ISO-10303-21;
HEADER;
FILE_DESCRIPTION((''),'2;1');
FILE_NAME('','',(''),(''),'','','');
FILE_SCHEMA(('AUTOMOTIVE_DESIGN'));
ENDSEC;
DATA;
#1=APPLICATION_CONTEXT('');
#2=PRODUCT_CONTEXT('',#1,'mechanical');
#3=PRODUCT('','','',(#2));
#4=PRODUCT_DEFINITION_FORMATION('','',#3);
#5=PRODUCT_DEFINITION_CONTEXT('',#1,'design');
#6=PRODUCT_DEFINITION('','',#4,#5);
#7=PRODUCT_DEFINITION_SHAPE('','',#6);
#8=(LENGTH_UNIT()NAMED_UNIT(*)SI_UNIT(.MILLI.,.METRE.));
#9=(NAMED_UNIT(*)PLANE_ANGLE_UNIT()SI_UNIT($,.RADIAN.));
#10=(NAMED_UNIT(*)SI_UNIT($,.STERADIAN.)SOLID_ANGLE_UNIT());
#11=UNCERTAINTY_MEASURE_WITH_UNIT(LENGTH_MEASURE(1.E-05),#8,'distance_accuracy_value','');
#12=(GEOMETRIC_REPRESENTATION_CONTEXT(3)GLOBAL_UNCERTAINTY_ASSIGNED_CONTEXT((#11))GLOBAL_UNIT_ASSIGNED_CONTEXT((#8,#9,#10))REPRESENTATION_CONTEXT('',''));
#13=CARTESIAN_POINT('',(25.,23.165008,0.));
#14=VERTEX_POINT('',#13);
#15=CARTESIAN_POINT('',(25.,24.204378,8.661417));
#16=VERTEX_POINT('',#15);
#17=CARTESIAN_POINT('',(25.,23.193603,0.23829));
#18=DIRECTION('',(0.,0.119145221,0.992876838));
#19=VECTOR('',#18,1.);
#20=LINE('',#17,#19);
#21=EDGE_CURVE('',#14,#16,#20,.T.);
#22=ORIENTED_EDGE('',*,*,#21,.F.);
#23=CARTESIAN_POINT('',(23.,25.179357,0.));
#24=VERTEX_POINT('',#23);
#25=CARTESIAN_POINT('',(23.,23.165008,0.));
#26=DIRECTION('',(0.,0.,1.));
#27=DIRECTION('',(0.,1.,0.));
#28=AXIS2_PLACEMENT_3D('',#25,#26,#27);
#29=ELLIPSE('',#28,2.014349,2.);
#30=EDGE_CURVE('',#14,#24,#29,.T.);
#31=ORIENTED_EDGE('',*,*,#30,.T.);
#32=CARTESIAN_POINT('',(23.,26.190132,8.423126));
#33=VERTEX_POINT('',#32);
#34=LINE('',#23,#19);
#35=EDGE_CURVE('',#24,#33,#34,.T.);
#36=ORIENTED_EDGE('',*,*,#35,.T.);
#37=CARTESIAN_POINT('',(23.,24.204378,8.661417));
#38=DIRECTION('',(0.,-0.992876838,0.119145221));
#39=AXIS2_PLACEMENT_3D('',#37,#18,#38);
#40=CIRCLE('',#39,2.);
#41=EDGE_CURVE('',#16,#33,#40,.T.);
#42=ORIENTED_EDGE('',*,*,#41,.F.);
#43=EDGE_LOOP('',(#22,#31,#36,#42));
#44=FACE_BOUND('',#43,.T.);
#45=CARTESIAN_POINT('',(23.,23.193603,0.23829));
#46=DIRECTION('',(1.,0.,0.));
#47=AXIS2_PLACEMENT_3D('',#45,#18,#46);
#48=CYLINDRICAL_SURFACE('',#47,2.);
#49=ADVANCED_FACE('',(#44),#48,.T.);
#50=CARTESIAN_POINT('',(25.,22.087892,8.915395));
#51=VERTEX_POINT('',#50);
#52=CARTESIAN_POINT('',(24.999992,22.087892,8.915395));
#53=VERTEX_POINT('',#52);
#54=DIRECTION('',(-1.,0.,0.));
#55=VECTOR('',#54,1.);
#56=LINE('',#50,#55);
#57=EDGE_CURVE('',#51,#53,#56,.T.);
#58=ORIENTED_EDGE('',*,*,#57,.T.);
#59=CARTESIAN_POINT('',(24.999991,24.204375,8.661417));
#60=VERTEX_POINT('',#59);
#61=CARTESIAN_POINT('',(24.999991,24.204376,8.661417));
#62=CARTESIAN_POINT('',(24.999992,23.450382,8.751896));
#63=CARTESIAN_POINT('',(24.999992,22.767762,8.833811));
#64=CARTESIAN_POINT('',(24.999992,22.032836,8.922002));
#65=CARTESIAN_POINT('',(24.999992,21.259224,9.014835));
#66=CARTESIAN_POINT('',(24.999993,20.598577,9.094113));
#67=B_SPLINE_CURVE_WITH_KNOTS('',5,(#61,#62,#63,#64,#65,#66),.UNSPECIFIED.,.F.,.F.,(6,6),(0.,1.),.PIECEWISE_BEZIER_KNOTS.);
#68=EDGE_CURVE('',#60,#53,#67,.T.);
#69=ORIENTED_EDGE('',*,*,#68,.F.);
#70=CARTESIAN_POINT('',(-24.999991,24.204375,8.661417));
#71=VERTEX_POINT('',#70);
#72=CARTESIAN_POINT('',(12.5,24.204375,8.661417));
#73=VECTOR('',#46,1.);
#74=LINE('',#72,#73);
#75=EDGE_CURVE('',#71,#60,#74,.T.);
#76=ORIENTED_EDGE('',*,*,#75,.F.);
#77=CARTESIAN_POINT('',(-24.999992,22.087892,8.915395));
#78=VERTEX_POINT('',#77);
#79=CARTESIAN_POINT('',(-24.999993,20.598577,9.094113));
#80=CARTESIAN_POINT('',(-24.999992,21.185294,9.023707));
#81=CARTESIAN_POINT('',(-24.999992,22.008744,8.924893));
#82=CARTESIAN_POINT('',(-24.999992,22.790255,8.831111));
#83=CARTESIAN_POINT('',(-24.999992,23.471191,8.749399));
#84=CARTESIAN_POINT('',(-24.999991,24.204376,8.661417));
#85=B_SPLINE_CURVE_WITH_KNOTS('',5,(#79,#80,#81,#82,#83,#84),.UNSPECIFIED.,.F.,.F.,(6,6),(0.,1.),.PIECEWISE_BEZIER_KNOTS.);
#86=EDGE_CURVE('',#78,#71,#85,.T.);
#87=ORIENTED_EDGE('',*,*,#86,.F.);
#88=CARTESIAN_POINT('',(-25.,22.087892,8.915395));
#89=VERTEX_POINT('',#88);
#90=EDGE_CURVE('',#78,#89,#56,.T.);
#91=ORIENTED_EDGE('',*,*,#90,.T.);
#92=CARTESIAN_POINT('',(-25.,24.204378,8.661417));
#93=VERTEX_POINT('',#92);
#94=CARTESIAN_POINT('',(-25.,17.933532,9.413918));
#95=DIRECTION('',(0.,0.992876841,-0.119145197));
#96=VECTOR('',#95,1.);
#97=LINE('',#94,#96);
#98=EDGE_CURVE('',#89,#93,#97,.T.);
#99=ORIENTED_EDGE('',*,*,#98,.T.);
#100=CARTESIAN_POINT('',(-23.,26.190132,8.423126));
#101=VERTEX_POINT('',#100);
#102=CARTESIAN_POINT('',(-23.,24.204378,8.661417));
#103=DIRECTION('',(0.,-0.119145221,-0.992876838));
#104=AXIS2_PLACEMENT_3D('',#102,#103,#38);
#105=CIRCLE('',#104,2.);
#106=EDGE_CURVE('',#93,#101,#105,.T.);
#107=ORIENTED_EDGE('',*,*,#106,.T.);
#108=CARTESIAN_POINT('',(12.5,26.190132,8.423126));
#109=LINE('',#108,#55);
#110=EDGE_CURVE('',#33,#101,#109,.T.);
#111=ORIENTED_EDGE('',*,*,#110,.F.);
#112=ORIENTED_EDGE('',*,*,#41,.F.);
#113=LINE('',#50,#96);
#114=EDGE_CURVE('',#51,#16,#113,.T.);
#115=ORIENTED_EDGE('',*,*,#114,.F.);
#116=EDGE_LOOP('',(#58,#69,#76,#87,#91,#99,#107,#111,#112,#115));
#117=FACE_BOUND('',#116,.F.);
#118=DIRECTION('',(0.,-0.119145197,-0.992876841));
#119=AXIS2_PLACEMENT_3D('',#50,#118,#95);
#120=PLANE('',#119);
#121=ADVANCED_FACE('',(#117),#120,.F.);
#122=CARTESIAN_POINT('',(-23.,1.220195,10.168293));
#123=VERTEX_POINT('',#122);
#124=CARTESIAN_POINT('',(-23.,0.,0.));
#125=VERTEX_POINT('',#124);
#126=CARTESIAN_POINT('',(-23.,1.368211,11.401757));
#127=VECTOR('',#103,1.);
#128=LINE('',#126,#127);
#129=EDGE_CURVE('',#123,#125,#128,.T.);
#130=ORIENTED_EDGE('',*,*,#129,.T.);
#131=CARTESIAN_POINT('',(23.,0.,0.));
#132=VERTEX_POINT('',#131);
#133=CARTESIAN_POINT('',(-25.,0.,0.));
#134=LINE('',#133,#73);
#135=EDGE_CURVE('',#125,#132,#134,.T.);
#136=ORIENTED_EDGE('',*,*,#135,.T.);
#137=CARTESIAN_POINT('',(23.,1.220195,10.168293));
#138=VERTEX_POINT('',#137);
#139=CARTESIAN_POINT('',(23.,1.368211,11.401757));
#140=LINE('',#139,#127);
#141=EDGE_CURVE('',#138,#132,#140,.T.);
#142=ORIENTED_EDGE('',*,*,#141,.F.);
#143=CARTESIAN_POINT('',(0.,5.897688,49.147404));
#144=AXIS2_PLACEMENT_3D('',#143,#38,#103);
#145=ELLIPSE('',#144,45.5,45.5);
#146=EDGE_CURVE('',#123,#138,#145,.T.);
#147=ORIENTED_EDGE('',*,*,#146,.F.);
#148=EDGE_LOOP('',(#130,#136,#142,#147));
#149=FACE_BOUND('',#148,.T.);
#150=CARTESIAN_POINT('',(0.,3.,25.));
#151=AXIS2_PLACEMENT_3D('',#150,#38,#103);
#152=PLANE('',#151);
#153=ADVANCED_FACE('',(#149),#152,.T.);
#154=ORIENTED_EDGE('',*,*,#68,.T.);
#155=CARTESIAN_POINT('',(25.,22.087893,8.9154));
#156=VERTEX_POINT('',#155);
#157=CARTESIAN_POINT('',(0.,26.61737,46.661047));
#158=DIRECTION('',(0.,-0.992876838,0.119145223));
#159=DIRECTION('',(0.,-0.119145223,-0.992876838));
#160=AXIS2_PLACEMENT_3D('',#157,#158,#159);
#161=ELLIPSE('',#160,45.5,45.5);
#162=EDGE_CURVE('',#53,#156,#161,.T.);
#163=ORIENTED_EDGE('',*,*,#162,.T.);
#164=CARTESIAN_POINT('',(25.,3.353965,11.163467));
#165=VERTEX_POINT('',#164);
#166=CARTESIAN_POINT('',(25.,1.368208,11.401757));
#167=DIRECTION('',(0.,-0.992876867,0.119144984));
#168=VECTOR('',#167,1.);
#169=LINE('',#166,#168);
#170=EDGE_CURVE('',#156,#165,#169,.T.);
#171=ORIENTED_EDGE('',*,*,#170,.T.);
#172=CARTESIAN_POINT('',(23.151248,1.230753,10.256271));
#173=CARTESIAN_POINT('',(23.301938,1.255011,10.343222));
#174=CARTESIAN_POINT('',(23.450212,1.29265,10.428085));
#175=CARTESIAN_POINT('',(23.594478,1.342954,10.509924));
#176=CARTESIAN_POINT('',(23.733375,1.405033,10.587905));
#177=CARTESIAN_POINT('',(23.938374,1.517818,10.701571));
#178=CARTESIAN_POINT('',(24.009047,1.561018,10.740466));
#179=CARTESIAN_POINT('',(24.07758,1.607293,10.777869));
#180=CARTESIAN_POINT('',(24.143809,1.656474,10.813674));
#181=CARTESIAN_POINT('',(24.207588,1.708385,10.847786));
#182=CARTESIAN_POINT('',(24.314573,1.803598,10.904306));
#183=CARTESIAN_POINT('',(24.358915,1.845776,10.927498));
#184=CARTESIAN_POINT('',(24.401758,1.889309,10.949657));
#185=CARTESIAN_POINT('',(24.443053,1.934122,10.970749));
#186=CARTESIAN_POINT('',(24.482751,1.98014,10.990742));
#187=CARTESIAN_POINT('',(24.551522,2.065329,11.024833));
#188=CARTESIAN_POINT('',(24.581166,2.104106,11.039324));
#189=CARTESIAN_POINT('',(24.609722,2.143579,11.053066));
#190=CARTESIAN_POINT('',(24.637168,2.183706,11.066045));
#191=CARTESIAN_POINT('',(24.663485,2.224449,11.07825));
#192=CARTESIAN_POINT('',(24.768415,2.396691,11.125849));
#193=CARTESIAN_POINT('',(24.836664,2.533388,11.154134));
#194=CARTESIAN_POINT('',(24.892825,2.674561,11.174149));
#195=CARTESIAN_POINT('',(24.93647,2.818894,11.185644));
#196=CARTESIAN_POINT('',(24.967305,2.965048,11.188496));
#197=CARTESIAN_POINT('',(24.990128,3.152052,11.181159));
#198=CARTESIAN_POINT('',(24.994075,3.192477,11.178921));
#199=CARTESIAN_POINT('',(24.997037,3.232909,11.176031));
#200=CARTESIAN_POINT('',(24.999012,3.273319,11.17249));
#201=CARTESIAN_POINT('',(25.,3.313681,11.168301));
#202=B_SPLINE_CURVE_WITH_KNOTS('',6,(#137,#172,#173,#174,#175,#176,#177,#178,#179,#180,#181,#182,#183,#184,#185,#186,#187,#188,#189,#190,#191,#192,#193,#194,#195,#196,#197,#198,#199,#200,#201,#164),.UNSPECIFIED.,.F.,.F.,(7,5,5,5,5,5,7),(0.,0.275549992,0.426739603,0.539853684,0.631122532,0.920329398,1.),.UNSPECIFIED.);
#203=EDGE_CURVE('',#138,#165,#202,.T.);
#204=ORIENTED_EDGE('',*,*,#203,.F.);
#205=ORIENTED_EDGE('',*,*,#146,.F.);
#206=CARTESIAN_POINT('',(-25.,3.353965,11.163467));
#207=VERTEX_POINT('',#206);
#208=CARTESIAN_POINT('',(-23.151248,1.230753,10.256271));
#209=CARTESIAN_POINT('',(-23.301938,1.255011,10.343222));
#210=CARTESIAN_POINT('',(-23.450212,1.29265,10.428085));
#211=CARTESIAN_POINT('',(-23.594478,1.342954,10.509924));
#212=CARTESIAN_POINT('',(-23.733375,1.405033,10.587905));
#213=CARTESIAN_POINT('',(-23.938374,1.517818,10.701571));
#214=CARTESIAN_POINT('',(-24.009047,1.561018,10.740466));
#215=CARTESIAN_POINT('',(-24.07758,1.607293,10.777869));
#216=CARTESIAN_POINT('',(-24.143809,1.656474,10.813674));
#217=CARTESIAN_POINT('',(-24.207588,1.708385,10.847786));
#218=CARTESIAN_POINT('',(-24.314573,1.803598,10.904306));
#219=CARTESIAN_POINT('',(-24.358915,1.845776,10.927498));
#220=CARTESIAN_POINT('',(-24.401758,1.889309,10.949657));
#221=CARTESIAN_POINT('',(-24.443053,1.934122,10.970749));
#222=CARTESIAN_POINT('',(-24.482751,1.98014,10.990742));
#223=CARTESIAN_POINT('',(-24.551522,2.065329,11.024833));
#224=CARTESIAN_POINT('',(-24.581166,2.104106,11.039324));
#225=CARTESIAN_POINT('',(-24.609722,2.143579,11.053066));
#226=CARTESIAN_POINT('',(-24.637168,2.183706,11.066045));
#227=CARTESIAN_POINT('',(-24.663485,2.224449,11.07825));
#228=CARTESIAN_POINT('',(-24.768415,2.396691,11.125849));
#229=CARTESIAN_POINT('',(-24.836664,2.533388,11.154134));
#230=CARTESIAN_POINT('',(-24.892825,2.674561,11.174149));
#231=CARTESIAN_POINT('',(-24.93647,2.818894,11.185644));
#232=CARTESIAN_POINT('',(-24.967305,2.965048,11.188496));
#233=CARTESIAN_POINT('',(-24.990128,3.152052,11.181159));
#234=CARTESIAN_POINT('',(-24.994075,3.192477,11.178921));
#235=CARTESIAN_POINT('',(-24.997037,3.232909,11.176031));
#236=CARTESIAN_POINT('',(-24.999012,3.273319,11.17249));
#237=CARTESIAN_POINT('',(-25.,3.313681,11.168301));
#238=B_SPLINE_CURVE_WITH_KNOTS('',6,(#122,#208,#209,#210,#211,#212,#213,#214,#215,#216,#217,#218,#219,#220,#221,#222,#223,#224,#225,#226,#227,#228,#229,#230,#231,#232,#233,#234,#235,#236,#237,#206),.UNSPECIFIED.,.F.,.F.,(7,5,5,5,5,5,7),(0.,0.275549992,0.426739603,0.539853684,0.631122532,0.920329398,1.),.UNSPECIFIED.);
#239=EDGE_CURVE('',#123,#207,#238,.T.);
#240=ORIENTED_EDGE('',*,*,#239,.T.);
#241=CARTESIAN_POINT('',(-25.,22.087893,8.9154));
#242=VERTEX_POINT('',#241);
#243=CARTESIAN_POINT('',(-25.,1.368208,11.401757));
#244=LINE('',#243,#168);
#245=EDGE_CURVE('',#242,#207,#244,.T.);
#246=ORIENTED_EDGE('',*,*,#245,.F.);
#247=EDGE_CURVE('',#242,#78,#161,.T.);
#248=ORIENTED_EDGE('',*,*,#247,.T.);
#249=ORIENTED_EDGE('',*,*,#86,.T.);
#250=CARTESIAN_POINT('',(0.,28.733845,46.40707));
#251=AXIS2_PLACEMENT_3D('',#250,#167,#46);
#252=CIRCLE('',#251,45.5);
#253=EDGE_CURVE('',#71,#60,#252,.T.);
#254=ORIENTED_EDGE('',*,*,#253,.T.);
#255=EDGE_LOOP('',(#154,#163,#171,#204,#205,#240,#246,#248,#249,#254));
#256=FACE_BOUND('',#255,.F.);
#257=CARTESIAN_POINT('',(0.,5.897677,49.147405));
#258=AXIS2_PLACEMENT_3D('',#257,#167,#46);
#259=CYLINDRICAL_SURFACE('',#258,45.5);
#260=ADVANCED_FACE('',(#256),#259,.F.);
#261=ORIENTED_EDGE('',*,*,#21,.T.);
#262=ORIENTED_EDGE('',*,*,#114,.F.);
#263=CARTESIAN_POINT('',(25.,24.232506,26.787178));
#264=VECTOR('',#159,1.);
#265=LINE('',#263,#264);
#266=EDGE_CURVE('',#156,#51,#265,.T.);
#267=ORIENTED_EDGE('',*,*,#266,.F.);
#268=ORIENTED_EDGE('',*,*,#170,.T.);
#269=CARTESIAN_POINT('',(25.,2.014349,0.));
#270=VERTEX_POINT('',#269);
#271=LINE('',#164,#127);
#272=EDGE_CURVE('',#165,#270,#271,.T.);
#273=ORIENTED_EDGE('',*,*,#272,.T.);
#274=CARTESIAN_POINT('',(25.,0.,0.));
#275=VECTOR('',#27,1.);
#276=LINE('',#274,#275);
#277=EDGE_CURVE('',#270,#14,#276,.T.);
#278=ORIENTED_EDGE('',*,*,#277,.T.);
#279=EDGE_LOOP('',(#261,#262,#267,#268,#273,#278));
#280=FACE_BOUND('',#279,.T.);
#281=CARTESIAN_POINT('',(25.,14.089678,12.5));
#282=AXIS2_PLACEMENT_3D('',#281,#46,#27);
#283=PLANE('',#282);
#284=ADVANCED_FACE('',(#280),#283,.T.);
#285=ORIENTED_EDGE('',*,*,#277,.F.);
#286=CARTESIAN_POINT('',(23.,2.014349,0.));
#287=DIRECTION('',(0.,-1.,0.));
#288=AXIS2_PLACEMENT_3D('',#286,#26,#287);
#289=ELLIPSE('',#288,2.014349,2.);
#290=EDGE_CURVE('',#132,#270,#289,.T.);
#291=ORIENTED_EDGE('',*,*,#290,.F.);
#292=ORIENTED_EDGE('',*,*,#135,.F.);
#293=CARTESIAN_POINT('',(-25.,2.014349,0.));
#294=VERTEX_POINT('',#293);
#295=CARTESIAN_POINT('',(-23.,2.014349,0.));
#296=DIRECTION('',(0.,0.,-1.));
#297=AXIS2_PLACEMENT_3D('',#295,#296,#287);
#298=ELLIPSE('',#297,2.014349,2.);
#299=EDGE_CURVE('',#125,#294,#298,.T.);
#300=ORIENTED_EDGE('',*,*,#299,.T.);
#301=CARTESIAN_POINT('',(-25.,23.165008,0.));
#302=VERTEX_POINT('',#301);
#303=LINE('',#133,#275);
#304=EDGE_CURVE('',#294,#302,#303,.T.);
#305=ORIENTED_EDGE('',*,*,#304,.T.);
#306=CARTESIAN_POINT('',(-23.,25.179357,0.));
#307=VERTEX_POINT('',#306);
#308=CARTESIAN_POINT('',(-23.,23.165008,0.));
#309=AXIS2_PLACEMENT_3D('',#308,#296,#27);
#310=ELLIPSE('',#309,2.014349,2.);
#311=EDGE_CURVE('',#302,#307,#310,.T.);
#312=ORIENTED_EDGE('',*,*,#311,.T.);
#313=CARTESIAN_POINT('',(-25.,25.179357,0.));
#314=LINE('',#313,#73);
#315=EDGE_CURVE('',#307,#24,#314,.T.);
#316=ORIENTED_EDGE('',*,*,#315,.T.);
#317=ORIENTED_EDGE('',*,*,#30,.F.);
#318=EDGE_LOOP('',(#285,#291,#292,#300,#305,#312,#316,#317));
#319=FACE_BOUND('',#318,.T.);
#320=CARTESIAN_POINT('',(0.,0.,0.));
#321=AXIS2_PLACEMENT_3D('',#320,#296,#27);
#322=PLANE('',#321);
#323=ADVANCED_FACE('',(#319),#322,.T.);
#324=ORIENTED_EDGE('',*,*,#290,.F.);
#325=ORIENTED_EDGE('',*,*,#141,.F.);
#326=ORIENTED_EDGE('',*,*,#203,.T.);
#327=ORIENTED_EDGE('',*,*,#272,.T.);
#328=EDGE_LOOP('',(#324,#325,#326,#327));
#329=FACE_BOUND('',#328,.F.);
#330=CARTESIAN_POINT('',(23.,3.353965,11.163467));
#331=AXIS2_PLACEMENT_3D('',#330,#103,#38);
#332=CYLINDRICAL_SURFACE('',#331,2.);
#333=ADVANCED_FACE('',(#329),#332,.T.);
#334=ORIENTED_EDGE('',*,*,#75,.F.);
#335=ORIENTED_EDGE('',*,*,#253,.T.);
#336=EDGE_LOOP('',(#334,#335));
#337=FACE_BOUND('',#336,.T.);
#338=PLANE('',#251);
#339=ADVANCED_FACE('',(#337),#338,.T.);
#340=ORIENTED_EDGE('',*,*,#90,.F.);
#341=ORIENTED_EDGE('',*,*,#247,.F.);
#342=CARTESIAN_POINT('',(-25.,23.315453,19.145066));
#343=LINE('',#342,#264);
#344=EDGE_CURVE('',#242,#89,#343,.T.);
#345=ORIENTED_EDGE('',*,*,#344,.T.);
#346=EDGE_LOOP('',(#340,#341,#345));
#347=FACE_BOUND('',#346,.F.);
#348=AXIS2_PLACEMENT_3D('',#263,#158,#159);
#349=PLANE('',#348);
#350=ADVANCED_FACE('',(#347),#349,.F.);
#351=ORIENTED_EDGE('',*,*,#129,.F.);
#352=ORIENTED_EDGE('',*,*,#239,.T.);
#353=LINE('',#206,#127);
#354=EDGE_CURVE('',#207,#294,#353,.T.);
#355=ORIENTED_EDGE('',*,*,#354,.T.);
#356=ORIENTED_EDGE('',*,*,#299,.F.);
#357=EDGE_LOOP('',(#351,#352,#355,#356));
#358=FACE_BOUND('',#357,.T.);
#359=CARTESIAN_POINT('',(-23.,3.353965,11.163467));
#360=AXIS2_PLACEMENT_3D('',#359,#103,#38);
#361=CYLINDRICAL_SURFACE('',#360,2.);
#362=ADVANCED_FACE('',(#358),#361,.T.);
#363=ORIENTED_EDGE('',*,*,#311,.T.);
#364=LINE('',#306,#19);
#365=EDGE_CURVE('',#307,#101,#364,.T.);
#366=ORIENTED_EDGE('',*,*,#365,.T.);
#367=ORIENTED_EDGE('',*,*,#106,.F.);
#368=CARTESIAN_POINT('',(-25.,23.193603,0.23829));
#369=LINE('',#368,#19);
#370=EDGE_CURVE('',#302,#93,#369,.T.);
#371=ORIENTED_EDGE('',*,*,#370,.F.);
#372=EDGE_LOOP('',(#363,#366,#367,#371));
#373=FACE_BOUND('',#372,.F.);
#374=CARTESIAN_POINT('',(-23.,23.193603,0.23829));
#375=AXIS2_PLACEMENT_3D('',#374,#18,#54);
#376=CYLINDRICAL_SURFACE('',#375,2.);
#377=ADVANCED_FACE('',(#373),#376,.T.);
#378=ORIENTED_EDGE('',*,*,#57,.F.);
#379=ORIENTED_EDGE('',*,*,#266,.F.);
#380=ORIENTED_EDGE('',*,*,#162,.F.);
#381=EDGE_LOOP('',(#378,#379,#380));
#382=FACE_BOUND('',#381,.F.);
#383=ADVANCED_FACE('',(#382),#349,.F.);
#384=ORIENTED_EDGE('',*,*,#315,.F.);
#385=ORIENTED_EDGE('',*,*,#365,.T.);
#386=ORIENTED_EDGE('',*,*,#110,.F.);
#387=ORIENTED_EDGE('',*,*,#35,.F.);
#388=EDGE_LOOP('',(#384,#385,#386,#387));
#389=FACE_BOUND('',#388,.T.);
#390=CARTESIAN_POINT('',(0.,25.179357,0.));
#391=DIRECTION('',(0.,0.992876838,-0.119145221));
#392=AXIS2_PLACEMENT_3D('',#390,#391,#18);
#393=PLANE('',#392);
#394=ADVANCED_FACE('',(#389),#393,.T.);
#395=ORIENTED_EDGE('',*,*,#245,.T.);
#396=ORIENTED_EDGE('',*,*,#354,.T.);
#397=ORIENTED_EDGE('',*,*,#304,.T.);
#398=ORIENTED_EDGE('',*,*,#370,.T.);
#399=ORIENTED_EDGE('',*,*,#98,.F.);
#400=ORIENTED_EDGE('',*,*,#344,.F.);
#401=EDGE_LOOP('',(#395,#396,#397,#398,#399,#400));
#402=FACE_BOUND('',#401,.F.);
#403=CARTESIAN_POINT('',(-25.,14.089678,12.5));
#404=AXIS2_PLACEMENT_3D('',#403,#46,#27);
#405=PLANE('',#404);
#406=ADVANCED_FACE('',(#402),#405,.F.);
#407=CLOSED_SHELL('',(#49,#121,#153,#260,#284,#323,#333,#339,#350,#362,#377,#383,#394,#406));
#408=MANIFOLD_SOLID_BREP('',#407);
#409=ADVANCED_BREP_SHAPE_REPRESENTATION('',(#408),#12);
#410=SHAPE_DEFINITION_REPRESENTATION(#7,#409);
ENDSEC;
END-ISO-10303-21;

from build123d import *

# Parameters (mm, degrees)
F1_DEPTH      = 25
F1_DEPTH_BACK = 25
F2_R          = 45.5
F3_DEPTH      = 23
F5_DEPTH      = 50.001
F6_R          = 2


with BuildPart() as f1:
    # F0 (on Right) → F1 (new body, two sides)
    with BuildSketch(Plane.YZ) as f1_sk:
        Polygon((3, 25), (0, 0), (25.179357, 0), (28.179357, 25), align=None)
    extrude(amount=F1_DEPTH)
    extrude(f1_sk.sketch, amount=-F1_DEPTH_BACK)

    # F2 (on face) → F3 (cut)
    with BuildSketch(Plane(origin=(0, 0, 0), x_dir=(1, 0, 0), z_dir=(0, -0.992877, 0.119145))):
        with Locations((0, 49.5)):
            Circle(F2_R)
    extrude(amount=-F3_DEPTH, mode=Mode.SUBTRACT)

    # F4 (on face) → F5 (cut, through all)
    with BuildSketch(Plane.YZ.offset(25)):
        Polygon((39.125659, 25), (24.232506, 26.787178), (22.087892, 8.915395), (36.981045, 7.128217), align=None)
    extrude(amount=-F5_DEPTH, mode=Mode.SUBTRACT)

    # F6
    f6_edges = [f1.edges().sort_by_distance(p)[0] for p in [
        (-25, 0.684105, 5.700878),
        (25, 0.684105, 5.700878),
        (25, 25.684744, 4.211563),
        (-25, 25.684744, 4.211563),
    ]]
    fillet(f6_edges, radius=F6_R)


solid = f1.part
